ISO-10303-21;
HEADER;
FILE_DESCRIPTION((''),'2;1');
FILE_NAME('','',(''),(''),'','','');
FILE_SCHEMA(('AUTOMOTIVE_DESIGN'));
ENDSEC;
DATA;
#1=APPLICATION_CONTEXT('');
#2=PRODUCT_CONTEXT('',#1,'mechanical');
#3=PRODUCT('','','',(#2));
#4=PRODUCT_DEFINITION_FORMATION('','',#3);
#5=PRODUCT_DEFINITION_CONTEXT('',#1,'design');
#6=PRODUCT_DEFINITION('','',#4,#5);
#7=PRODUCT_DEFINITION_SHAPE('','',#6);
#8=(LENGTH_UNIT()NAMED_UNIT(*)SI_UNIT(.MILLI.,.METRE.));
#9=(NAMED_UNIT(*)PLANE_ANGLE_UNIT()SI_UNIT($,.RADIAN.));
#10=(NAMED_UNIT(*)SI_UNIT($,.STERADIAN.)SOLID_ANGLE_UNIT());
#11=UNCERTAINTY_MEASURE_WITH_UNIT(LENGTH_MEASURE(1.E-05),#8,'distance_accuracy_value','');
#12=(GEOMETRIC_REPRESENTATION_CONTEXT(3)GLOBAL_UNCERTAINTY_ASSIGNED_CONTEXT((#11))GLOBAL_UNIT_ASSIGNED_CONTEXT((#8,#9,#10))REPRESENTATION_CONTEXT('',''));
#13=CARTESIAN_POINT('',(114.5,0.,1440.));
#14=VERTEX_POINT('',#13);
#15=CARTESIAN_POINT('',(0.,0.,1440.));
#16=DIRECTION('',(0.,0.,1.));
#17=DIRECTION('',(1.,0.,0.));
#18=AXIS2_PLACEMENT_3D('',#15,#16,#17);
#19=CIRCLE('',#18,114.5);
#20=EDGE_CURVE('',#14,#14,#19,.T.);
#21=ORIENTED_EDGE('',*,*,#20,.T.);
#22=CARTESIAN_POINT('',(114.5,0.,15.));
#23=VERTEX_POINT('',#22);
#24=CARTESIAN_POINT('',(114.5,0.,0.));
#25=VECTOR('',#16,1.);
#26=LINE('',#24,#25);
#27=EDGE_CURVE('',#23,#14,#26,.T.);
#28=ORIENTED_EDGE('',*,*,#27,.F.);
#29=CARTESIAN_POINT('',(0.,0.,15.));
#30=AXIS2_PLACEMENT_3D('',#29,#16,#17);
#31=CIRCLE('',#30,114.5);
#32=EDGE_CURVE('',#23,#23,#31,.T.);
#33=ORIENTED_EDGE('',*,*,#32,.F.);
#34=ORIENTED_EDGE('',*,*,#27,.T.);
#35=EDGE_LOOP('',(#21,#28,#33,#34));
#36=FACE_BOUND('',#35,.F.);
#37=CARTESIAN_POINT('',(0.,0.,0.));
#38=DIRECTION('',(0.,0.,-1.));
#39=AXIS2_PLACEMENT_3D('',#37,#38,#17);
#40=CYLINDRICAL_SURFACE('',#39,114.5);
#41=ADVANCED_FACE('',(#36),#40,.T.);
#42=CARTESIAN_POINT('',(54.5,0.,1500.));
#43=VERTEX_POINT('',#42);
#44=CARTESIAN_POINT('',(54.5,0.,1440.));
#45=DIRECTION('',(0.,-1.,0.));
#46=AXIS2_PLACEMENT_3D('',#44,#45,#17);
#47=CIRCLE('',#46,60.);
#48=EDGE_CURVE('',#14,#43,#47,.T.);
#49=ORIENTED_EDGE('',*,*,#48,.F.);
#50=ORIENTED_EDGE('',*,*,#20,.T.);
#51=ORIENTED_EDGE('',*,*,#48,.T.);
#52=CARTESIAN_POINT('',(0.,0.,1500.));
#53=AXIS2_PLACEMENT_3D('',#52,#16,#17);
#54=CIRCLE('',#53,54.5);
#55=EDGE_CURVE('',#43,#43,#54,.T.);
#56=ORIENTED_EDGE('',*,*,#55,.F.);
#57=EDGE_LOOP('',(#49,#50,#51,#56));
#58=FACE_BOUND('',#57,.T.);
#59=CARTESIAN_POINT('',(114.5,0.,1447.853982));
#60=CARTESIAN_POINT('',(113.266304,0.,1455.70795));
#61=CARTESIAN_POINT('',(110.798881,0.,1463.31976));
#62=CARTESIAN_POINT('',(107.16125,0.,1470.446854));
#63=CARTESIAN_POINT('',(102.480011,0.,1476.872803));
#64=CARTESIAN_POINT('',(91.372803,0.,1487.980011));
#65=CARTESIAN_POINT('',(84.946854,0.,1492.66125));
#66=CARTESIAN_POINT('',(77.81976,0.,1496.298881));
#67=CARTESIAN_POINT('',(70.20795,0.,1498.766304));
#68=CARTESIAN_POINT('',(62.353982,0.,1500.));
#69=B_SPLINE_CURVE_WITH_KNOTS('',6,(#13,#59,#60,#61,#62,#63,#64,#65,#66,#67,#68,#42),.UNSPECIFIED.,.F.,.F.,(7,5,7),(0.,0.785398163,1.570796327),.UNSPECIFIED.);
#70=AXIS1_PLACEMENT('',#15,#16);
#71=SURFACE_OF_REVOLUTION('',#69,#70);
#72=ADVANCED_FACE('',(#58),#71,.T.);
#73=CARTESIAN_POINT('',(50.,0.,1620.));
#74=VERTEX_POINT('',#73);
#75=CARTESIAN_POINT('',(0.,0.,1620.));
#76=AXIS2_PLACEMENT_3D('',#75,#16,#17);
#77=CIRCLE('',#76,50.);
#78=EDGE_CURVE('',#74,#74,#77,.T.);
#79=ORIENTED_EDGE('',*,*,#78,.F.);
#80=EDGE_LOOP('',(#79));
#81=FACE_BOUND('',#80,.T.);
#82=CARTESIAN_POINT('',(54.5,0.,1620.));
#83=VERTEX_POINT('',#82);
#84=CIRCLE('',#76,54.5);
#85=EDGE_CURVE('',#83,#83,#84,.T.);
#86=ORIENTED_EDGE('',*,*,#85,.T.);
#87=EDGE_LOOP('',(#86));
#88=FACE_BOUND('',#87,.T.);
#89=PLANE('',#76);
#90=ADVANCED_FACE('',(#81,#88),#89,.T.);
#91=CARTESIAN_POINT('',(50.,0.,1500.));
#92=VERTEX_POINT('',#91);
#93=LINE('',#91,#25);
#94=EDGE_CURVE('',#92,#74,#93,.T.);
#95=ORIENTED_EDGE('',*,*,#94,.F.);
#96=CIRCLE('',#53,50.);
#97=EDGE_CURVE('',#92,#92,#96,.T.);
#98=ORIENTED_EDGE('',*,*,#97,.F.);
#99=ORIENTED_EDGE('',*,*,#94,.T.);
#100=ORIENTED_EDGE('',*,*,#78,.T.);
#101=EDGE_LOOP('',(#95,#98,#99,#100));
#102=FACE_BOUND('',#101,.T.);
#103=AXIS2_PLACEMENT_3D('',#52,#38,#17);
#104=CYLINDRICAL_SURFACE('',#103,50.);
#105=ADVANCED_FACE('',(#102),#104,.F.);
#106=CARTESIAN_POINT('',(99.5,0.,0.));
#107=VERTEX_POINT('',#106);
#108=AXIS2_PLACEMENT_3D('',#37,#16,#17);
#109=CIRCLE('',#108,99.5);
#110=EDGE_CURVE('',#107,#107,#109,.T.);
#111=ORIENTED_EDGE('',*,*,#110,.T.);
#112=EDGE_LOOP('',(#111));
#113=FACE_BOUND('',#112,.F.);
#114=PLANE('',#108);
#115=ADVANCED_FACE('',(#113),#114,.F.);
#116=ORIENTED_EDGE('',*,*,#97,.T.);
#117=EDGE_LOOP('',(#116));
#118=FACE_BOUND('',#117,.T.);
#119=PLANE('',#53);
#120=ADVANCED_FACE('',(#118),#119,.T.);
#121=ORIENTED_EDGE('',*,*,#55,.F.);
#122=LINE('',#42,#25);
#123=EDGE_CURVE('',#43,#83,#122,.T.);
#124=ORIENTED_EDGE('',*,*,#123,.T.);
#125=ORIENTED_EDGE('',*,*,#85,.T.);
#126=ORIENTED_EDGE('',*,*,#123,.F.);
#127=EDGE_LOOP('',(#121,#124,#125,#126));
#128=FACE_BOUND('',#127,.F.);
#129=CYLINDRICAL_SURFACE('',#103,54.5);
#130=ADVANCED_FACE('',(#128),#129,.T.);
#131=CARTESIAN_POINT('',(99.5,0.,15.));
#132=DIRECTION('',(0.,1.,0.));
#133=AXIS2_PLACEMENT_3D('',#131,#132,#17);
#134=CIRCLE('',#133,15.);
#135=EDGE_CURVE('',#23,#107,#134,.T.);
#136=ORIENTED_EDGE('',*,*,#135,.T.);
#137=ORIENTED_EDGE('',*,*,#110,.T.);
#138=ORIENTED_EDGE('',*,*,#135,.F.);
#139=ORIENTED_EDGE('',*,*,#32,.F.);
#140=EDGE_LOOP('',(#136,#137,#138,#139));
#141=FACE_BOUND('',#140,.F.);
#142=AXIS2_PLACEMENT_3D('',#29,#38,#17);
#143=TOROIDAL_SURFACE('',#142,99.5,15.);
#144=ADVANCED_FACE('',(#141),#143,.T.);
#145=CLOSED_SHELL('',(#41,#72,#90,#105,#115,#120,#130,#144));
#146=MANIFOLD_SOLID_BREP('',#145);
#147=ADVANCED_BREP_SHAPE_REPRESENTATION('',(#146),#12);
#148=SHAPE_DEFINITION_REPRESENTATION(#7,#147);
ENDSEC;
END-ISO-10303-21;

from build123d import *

# Parameters (mm, degrees)
F0_R     = 114.5
F1_DEPTH = 1500
F2_R     = 60
F3_R     = 15
F4_R     = 54.5
F4_R_2   = 50
F5_DEPTH = 120


with BuildPart() as f1:
    # F0 (on Top) → F1 (new body)
    with BuildSketch(Plane.XY):
        Circle(F0_R)
    extrude(amount=F1_DEPTH)

    # F2
    f2_edges = [f1.edges().sort_by_distance(p)[0] for p in [
        (-114.5, 0, 1500),
    ]]
    fillet(f2_edges, radius=F2_R)

    # F3
    f3_edges = [f1.edges().sort_by_distance(p)[0] for p in [
        (-114.5, 0, 0),
    ]]
    fillet(f3_edges, radius=F3_R)

    # F4 (on face) → F5 (join)
    with BuildSketch(Plane.XY.offset(1500)):
        Circle(F4_R)
        Circle(F4_R_2, mode=Mode.SUBTRACT)
    extrude(amount=F5_DEPTH)


solid = f1.part
